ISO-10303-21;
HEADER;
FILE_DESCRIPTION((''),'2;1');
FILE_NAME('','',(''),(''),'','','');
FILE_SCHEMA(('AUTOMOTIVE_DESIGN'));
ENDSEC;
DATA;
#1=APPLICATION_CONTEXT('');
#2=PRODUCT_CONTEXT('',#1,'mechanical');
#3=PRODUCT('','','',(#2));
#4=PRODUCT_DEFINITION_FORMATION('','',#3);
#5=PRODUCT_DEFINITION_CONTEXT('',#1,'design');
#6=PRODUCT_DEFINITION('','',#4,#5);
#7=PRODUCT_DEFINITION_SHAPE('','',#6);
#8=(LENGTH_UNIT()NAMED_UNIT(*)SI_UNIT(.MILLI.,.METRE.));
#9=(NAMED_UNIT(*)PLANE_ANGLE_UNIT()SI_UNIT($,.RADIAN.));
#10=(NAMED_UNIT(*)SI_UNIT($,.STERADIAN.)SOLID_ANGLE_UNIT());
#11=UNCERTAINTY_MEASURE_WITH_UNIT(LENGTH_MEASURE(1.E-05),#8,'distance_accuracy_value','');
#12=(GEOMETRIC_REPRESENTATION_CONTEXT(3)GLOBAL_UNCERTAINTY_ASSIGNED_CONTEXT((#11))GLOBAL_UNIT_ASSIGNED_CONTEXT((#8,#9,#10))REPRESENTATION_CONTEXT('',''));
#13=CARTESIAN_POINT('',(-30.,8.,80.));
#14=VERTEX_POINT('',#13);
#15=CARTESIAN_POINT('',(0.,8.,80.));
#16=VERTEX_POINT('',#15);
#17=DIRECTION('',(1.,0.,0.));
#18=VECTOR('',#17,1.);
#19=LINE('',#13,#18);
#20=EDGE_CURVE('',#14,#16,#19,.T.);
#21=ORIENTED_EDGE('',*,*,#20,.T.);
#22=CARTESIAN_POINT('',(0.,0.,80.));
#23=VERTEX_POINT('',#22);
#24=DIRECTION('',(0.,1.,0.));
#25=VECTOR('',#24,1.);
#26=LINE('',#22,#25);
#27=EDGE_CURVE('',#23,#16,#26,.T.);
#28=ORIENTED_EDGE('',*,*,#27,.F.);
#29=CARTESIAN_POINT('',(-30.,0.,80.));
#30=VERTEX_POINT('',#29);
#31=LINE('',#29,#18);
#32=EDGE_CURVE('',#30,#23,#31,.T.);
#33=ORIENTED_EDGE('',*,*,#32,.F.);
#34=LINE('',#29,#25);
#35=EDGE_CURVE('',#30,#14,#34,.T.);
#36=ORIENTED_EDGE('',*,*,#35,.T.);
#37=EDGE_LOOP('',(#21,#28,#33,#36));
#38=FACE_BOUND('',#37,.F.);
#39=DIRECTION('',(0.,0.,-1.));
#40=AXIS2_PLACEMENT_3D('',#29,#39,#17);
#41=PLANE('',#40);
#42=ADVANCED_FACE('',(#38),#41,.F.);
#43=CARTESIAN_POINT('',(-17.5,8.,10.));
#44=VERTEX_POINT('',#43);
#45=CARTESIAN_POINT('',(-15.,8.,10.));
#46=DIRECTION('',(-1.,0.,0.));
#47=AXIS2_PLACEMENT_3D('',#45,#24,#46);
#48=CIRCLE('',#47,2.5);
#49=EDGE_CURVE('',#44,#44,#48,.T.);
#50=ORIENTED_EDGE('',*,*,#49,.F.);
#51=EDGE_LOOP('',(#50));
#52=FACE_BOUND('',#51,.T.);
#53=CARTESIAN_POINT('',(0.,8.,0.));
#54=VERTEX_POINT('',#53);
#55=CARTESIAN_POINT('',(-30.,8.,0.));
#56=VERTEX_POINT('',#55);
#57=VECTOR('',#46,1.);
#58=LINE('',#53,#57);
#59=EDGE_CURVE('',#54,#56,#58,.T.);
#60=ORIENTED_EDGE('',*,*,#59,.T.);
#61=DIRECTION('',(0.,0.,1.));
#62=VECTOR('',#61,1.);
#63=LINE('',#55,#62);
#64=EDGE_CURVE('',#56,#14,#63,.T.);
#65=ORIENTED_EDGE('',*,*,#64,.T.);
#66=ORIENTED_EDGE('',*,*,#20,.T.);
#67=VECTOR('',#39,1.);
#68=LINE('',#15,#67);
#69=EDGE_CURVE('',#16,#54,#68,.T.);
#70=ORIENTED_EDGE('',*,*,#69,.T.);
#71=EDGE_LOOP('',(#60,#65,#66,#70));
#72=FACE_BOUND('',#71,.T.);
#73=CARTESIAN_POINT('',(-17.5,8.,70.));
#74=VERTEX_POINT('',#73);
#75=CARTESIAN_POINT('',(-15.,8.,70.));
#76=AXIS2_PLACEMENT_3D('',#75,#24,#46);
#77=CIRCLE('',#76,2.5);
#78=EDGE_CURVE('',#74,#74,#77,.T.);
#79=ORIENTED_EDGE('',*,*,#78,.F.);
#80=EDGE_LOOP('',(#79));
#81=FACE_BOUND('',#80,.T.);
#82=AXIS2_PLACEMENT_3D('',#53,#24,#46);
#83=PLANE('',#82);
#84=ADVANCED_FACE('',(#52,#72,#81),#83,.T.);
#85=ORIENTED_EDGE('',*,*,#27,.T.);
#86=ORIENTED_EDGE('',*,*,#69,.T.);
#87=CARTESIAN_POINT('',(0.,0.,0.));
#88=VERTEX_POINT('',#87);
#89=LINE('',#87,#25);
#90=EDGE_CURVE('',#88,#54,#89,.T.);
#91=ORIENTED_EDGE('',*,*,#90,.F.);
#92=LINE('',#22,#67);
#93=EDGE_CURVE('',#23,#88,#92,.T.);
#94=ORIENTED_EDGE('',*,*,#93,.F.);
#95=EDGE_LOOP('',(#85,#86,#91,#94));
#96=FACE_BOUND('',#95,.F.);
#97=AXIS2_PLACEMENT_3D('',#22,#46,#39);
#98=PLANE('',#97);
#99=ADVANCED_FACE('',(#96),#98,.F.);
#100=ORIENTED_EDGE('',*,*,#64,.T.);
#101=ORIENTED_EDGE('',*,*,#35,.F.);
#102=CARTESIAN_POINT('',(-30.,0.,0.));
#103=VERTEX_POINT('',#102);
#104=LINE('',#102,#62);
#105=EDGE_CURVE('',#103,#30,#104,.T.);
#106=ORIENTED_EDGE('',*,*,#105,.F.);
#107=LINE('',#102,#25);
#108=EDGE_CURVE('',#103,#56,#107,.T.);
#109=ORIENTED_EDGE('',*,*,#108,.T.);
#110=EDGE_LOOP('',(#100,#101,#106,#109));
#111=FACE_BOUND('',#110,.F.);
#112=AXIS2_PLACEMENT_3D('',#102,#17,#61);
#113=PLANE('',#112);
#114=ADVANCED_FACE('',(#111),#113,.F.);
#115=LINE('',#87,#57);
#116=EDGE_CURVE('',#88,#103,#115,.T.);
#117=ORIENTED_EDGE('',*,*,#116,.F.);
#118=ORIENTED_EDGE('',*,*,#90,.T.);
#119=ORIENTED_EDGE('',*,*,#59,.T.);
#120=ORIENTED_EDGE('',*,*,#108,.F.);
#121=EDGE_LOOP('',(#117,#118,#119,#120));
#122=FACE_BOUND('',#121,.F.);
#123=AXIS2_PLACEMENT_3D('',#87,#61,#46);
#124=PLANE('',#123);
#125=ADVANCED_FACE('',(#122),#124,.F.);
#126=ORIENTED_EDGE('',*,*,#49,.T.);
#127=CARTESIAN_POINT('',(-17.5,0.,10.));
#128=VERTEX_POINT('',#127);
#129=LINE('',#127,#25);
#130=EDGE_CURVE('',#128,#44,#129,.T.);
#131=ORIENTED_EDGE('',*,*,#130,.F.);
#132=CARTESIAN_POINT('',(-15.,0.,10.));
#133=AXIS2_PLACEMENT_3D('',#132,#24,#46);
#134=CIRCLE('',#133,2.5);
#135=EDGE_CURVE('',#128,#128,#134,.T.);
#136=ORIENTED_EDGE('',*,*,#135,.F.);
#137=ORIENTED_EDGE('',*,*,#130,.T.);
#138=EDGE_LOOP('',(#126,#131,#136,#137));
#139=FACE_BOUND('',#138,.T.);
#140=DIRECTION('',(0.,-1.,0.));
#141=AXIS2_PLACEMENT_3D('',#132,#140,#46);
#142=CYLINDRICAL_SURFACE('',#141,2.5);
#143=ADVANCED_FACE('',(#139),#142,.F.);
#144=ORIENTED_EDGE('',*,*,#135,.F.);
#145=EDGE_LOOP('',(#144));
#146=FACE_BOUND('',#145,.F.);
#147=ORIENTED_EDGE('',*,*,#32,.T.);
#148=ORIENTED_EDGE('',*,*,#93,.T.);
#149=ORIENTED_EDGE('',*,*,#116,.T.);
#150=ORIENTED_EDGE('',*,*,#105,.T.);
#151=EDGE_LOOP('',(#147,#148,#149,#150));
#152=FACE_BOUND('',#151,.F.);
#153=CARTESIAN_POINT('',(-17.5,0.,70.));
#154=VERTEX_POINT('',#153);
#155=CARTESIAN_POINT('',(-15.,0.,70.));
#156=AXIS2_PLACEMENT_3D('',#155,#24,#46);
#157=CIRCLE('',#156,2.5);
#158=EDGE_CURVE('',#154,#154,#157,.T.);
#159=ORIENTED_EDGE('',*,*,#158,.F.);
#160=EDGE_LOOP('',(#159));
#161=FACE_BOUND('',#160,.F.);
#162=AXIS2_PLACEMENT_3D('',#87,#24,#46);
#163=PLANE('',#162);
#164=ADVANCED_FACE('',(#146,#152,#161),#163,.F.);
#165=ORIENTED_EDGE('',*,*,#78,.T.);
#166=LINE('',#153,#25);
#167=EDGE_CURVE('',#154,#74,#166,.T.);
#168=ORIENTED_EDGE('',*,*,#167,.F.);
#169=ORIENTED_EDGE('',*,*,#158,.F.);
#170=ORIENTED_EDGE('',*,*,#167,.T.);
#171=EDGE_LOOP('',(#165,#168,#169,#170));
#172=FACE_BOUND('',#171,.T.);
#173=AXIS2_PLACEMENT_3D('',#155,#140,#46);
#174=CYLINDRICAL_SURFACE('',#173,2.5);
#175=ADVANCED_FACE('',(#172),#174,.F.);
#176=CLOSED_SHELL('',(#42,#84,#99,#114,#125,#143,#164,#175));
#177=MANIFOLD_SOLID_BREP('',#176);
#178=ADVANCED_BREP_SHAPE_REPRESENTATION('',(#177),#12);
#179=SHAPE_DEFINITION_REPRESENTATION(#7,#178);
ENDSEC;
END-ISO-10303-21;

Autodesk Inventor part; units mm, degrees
ref_plane "YZ Plane" through (0, 0, 0) normal (1, 0, 0) x (0, 1, 0)
ref_plane "XZ Plane" through (0, 0, 0) normal (0, 1, 0) x (-1, 0, 0)
ref_plane "XY Plane" through (0, 0, 0) normal (0, 0, 1) x (1, 0, 0)
sketch "Sketch1" plane through (0, 0, 0) normal (0, 1, 0) x (-1, 0, 0)
  line L0 (0, 0) -> (30, 0)
  line L1 (30, 0) -> (30, 80)
  line L2 (30, 80) -> (0, 80)
  line L3 (0, 80) -> (0, 0)
  circle A0 centre (15, 70) radius 2.5
  circle A1 centre (15, 10) radius 2.5
  dimension "d0" = 80
  dimension "d1" = 30
  dimension "d4" = 5
  dimension "d5" = 5
  dimension "d6" = 60
  dimension "d7" = 15
  dimension "d8" = 10
extrude "Extrusion2" add sketch "Sketch1" along normal blind 8
properties part number "theotherside"
